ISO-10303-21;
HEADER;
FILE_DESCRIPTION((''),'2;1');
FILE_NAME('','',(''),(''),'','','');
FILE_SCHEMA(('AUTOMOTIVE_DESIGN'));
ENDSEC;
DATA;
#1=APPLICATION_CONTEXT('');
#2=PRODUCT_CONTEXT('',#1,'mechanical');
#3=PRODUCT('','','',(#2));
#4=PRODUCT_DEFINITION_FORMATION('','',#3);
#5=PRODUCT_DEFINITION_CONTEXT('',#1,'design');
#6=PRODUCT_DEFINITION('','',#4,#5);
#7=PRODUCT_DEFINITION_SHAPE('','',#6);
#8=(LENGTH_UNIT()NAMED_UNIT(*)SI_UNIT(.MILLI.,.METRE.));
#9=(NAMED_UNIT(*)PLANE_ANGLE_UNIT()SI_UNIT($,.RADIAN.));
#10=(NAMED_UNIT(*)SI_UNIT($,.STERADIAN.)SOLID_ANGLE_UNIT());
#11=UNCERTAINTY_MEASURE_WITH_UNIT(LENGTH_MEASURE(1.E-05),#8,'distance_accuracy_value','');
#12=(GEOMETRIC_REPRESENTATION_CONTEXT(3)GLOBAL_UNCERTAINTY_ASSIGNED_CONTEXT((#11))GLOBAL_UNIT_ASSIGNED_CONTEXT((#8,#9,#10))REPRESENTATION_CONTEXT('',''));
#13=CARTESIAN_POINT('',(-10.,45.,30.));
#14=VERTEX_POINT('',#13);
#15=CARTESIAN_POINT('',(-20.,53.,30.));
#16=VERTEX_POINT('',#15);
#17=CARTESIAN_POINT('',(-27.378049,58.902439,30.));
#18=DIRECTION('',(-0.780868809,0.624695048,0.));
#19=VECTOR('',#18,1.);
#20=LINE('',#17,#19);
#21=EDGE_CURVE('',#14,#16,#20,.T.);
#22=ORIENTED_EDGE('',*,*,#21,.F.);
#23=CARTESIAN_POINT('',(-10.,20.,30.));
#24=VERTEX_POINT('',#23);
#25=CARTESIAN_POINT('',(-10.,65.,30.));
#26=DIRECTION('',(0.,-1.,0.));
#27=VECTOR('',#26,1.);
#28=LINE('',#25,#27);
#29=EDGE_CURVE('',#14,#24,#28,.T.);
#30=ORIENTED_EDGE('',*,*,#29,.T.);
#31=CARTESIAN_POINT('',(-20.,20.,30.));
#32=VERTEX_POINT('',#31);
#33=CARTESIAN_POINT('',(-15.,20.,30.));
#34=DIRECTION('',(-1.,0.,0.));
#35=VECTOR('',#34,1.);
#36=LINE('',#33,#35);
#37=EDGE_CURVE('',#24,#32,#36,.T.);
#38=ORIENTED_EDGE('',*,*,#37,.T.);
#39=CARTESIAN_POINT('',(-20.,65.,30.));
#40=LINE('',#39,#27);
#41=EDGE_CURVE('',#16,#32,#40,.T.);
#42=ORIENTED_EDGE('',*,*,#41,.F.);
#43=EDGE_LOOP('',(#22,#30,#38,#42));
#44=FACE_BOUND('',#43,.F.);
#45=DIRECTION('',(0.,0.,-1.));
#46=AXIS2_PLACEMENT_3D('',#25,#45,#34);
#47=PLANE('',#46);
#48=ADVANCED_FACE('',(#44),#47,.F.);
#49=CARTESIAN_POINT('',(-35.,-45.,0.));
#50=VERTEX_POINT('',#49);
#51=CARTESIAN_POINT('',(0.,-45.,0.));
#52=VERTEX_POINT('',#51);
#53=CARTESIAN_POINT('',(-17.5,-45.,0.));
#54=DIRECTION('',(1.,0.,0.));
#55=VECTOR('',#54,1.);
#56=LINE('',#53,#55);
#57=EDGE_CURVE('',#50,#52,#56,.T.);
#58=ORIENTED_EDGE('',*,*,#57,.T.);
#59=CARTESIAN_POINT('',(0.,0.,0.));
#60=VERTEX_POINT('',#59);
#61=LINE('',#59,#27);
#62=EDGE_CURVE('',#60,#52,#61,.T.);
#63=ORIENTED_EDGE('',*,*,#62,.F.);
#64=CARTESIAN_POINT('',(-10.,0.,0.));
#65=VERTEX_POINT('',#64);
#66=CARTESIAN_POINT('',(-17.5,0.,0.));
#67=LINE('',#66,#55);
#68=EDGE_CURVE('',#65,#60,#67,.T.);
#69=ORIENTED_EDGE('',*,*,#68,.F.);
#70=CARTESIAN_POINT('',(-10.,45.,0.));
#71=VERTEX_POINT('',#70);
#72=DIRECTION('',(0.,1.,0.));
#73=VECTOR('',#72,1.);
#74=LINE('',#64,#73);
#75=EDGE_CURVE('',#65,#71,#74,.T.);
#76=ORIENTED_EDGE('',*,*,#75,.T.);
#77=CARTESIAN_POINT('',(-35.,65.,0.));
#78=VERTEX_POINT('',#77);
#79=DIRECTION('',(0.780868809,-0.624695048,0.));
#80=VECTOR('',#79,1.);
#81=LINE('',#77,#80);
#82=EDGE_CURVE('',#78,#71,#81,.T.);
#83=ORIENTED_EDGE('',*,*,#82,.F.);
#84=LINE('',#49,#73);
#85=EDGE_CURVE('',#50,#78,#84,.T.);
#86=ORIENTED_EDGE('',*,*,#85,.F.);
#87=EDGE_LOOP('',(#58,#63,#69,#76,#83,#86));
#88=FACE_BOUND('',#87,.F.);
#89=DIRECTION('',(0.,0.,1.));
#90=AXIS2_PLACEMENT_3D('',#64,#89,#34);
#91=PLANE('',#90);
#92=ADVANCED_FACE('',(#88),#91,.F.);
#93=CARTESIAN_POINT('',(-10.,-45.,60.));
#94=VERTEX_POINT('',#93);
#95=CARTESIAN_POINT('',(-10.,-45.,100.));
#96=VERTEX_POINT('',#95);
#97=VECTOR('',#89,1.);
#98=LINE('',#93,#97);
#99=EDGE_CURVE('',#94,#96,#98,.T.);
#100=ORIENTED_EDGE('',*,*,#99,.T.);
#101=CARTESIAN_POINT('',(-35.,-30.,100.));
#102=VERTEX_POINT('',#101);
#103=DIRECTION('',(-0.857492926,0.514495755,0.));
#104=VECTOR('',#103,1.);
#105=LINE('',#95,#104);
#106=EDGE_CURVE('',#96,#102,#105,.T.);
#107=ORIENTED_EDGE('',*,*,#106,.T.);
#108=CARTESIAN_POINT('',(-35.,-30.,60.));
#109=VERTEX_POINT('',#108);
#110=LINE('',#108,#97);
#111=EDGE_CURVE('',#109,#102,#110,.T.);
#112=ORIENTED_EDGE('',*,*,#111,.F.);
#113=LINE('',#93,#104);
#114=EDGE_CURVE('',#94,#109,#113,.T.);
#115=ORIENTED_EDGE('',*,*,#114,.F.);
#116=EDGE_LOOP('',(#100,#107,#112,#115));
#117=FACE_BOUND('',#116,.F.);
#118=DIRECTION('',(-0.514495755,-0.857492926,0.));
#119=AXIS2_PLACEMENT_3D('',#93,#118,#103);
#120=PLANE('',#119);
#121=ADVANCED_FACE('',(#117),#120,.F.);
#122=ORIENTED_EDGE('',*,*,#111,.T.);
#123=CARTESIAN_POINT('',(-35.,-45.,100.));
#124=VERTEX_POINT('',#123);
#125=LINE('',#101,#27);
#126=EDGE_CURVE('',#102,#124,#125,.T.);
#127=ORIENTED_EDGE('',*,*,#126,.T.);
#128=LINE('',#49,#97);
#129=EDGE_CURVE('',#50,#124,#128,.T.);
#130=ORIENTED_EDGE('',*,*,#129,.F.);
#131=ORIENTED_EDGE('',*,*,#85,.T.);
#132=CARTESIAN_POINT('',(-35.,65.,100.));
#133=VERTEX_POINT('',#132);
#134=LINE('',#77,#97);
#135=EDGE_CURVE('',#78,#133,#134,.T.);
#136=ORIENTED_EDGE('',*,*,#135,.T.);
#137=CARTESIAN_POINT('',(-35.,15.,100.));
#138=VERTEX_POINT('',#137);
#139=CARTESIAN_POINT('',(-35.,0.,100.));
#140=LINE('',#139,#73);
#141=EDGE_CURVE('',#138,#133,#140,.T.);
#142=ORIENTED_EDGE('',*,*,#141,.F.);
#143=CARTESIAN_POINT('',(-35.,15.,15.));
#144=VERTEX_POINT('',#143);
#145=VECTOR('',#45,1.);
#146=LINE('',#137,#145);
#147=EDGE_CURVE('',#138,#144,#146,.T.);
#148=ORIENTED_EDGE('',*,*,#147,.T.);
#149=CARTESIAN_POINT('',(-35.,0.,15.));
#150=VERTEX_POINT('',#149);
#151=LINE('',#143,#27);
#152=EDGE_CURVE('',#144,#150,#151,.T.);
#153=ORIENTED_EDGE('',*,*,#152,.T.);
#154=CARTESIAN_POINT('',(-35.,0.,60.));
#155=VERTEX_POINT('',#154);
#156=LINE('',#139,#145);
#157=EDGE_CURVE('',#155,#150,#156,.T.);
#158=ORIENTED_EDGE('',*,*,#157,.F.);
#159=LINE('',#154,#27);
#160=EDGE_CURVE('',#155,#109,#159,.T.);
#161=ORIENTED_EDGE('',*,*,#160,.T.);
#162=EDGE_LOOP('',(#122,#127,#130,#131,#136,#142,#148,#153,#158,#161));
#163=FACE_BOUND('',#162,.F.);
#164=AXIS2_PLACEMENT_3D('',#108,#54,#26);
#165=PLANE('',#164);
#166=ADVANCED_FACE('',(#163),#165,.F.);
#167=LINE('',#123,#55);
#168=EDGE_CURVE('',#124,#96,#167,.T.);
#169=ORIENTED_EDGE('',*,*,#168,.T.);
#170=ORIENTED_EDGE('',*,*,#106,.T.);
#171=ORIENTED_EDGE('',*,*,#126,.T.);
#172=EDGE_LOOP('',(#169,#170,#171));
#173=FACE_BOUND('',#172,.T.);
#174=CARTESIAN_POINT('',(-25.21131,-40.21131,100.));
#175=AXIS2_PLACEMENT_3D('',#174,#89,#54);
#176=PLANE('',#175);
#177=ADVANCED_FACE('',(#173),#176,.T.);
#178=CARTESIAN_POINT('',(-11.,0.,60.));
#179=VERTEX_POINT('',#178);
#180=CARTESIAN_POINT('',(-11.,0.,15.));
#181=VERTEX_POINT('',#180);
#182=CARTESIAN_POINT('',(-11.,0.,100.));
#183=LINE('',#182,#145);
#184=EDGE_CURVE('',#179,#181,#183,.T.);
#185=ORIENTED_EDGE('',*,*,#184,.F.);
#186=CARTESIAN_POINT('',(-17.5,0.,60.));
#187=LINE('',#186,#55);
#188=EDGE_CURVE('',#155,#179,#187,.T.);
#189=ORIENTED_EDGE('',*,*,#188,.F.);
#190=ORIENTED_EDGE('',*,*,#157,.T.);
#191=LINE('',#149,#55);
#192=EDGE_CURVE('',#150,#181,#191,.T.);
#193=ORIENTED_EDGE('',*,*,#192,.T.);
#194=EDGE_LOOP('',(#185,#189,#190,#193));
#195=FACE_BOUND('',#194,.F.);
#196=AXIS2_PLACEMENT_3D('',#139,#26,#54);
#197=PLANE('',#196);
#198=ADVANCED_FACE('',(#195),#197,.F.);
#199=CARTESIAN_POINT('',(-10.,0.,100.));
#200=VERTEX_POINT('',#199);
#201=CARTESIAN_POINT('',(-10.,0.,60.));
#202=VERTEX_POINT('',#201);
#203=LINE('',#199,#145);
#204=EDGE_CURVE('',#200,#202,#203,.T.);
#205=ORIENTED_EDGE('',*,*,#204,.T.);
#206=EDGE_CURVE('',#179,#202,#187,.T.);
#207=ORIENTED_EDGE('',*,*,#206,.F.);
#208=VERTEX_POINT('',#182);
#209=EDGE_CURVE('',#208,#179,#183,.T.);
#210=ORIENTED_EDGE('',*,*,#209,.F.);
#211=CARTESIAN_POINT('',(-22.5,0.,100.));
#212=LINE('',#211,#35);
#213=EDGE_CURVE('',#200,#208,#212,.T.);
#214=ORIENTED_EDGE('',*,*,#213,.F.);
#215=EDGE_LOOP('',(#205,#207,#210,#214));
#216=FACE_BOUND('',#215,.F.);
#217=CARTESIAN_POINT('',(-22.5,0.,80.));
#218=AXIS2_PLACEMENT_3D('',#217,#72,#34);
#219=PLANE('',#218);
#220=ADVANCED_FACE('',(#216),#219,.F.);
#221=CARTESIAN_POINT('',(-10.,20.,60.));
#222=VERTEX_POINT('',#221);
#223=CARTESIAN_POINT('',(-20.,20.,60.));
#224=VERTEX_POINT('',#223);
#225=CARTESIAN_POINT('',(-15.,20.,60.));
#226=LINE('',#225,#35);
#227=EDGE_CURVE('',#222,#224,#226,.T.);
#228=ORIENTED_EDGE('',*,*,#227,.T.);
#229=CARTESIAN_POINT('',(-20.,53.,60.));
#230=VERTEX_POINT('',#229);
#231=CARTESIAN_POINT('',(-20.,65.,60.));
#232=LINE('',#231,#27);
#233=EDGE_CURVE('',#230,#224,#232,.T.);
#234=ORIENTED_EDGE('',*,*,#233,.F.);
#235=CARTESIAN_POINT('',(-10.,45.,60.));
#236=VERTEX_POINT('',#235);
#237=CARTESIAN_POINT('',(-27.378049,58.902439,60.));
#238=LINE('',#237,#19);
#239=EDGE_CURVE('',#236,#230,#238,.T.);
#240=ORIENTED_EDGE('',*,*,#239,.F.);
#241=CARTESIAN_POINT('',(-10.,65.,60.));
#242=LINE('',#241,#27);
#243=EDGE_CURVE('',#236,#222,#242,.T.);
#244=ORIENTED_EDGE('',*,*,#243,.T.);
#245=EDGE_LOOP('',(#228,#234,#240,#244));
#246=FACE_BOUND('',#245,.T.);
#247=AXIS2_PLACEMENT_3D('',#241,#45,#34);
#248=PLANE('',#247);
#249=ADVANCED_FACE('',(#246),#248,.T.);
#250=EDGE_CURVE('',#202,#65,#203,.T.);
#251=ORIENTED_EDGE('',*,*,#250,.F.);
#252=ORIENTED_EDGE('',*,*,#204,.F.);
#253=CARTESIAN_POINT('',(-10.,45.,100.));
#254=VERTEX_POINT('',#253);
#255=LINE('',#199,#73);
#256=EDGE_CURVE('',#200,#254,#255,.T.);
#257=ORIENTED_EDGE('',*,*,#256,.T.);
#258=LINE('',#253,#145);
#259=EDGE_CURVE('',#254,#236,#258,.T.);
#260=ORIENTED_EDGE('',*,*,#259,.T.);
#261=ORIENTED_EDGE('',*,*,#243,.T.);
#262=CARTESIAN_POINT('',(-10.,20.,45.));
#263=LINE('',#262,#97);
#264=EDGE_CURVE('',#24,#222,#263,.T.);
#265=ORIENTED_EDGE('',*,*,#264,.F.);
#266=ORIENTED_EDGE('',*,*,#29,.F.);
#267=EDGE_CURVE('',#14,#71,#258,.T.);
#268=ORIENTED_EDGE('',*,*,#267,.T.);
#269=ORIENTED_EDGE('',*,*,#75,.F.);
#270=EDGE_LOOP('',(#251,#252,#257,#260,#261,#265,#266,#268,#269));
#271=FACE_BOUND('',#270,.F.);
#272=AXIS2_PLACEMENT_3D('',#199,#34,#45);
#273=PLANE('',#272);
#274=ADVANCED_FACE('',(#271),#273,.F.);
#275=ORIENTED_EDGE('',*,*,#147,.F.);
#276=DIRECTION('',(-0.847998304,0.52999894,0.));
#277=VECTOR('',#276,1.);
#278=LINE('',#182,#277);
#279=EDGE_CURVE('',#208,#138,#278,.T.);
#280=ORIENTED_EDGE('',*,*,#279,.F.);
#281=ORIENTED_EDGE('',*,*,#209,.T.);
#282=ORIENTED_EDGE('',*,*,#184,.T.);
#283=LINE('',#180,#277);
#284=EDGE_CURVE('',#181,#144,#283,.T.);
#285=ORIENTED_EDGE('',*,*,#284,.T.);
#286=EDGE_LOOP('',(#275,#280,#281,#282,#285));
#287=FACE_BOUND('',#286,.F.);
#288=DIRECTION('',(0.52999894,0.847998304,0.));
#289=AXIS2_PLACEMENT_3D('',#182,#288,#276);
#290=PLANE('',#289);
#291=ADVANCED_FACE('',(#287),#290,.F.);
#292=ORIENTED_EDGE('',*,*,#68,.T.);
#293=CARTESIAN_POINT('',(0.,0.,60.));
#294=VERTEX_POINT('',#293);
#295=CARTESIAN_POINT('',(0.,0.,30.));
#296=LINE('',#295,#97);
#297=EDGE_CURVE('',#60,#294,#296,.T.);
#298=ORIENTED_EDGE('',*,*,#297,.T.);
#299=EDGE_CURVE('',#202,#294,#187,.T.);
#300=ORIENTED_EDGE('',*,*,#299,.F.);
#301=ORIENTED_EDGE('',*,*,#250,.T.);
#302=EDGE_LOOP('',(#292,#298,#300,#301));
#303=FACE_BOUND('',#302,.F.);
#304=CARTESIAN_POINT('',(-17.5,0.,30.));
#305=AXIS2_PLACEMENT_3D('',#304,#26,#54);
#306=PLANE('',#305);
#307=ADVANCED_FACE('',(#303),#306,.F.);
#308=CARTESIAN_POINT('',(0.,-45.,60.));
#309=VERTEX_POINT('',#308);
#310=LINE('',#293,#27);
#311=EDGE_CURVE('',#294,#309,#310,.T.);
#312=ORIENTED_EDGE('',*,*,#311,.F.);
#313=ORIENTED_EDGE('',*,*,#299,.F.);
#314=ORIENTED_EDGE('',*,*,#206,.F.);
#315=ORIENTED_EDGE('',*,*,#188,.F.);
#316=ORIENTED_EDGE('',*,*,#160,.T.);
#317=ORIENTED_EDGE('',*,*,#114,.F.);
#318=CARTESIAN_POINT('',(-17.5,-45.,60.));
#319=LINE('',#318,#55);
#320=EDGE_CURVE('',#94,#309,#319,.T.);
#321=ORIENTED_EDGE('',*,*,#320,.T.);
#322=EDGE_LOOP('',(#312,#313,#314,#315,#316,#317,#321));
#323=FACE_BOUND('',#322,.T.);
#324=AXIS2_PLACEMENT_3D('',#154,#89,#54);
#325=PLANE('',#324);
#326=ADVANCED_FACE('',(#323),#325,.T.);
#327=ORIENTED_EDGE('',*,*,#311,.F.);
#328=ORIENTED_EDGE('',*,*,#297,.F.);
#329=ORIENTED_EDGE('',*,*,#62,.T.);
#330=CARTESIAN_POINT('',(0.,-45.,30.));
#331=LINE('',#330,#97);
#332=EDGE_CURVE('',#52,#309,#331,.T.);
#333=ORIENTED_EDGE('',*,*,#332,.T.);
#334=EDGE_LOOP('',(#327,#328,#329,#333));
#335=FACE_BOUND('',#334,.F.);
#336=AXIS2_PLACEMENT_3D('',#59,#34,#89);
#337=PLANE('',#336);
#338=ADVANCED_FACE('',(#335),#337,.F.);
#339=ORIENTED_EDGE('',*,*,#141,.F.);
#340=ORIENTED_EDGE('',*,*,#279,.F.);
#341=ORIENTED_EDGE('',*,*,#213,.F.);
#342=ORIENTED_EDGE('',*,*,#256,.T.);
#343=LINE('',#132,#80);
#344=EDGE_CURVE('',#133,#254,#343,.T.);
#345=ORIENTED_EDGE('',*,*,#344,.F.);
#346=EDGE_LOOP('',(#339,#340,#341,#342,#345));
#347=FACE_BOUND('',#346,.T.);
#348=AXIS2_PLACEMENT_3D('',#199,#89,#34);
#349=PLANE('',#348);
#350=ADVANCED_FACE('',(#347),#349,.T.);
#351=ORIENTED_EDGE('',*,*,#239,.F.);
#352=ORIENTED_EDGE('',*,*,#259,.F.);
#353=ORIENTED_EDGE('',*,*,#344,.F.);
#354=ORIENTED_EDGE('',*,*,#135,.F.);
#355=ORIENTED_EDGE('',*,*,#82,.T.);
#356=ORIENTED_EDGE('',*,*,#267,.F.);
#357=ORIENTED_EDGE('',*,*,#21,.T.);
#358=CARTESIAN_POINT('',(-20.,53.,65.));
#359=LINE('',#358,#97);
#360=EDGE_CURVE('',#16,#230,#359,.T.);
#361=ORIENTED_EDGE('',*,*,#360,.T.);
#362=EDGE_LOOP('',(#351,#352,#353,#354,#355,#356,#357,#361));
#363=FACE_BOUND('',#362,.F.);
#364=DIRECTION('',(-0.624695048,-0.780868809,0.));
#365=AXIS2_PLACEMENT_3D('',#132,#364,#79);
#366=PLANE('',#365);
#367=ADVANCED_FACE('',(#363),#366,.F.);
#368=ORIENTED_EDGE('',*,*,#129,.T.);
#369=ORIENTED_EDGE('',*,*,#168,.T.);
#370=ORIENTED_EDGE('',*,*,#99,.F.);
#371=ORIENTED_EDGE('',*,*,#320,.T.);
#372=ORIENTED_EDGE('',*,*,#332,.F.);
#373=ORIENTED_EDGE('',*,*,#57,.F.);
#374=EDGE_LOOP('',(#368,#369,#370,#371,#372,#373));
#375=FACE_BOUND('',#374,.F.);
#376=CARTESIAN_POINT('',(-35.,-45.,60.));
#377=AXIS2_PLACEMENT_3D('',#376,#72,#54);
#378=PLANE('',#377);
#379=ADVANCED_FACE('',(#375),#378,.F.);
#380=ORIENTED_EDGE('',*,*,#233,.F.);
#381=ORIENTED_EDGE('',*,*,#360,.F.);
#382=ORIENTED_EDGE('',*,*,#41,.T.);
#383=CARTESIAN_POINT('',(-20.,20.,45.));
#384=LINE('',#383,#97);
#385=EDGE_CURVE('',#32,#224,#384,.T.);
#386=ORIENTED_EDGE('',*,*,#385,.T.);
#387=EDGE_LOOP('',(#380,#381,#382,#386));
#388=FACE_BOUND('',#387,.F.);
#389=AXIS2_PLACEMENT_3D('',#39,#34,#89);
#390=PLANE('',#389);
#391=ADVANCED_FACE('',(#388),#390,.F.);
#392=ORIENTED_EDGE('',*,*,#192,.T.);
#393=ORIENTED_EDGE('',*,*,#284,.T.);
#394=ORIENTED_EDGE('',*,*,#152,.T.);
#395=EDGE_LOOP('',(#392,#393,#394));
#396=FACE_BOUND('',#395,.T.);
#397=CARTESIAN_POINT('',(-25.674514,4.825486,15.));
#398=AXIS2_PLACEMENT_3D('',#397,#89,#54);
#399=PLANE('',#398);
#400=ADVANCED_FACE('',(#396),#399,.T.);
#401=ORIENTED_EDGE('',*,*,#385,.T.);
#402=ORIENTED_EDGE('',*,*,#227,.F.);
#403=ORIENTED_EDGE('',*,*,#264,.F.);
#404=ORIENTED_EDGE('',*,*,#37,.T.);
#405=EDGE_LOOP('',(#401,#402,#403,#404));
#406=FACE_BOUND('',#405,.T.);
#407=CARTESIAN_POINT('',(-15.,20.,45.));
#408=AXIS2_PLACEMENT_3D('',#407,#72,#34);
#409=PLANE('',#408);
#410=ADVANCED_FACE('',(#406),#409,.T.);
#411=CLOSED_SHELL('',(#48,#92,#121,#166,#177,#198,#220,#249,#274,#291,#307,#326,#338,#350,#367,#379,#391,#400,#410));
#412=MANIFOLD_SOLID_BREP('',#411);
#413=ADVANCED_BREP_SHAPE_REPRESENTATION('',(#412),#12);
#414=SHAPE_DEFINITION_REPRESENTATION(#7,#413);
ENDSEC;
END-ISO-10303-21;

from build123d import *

# Parameters (mm, degrees)
F0_W      = 35
F0_H      = 60
F1_DEPTH  = 45
F2_W      = 25
F2_H      = 40
F2_H_2    = 60
F3_DEPTH  = 65
F4_W      = 10
F4_H      = 30
F5_DEPTH  = 45
F7_DEPTH  = 100
F9_DEPTH  = 40
F11_DEPTH = 85


with BuildPart() as f1:
    # F0 (on Front) → F1 (new body)
    with BuildSketch(Plane.XZ):
        with Locations((-17.5, 30)):
            Rectangle(F0_W, F0_H)
    extrude(amount=F1_DEPTH)

    # F2 (on face) → F3 (join)
    with BuildSketch(Plane(origin=(0, 0, 0), x_dir=(-1, 0, 0), z_dir=(0, 1, 0))):
        with Locations((22.5, 80)):
            Rectangle(F2_W, F2_H)
        with Locations((22.5, 30)):
            Rectangle(F2_W, F2_H_2)
    extrude(amount=F3_DEPTH)

    # F4 (on face) → F5 (cut)
    with BuildSketch(Plane(origin=(0, 65, 0), x_dir=(-1, 0, 0), z_dir=(0, 1, 0))):
        with Locations((15, 45)):
            Rectangle(F4_W, F4_H)
    extrude(amount=-F5_DEPTH, mode=Mode.SUBTRACT)

    # F6 (on face) → F7 (cut)
    with BuildSketch(Plane.XY.offset(100)):
        Polygon((-10, 45), (-10, 65), (-35, 65), align=None)
    extrude(amount=-F7_DEPTH, mode=Mode.SUBTRACT)

    # F8 (on face) → F9 (join)
    with BuildSketch(Plane.XY.offset(60)):
        Polygon((-35, -30), (-35, -45), (-10, -45), align=None)
    extrude(amount=F9_DEPTH)

    # F10 (on face) → F11 (cut)
    with BuildSketch(Plane.XY.offset(100)):
        Polygon((-35, 15), (-35, 0), (-11, 0), align=None)
    extrude(amount=-F11_DEPTH, mode=Mode.SUBTRACT)


solid = f1.part
